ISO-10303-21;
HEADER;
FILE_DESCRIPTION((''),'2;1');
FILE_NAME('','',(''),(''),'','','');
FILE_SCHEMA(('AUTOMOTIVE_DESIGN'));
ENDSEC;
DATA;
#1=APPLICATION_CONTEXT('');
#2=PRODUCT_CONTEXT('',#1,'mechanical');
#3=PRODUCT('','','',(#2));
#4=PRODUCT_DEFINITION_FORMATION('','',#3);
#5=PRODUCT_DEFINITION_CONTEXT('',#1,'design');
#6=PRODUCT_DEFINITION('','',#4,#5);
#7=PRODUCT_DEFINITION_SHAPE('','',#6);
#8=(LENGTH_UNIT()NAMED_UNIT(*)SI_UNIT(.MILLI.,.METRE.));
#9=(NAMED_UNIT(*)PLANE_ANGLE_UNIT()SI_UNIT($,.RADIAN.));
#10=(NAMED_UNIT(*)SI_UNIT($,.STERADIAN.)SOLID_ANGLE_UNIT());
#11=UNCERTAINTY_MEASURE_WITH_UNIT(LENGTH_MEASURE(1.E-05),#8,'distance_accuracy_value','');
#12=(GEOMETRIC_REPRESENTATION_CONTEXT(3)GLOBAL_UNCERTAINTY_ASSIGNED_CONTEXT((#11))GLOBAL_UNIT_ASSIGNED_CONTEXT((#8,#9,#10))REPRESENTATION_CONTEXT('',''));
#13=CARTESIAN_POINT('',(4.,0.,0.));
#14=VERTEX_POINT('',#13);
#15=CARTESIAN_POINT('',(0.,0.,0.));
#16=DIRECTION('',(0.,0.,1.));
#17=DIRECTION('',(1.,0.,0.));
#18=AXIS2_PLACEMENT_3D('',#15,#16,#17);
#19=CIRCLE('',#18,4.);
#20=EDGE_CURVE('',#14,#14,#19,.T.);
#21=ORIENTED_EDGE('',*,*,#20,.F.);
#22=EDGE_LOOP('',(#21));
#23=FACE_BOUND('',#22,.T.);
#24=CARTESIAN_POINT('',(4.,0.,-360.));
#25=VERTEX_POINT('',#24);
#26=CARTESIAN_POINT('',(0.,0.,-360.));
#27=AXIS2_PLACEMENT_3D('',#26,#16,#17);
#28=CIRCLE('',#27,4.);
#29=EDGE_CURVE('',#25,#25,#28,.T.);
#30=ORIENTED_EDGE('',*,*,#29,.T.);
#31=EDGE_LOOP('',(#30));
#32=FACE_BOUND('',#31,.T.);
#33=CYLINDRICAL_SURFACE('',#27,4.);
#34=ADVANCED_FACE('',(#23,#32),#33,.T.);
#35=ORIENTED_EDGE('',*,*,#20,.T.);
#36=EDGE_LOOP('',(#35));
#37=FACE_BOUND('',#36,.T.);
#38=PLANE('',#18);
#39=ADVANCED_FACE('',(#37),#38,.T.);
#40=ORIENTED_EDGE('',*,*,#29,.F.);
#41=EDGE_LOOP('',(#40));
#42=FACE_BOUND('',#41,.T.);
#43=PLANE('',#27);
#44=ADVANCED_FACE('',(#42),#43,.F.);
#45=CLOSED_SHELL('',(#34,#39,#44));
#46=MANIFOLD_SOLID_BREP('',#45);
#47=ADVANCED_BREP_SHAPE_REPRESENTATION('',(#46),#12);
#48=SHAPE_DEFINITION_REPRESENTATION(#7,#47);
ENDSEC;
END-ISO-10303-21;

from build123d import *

# Parameters (mm, degrees)
ESQUISSE1_R = 4


with BuildPart() as part:
    # Balayage1: sweep along a path in Esquisse2
    with BuildLine(Plane(origin=(0, 0, 0), x_dir=(1, 0, 0), z_dir=(0, 1, 0))) as balayage1_path:
        Line((0, 0), (0, 360))
    # Esquisse1 → Balayage1 (sweep)
    with BuildSketch(Plane.XY):
        Circle(ESQUISSE1_R)
    sweep(path=balayage1_path.line)


solid = part.part
